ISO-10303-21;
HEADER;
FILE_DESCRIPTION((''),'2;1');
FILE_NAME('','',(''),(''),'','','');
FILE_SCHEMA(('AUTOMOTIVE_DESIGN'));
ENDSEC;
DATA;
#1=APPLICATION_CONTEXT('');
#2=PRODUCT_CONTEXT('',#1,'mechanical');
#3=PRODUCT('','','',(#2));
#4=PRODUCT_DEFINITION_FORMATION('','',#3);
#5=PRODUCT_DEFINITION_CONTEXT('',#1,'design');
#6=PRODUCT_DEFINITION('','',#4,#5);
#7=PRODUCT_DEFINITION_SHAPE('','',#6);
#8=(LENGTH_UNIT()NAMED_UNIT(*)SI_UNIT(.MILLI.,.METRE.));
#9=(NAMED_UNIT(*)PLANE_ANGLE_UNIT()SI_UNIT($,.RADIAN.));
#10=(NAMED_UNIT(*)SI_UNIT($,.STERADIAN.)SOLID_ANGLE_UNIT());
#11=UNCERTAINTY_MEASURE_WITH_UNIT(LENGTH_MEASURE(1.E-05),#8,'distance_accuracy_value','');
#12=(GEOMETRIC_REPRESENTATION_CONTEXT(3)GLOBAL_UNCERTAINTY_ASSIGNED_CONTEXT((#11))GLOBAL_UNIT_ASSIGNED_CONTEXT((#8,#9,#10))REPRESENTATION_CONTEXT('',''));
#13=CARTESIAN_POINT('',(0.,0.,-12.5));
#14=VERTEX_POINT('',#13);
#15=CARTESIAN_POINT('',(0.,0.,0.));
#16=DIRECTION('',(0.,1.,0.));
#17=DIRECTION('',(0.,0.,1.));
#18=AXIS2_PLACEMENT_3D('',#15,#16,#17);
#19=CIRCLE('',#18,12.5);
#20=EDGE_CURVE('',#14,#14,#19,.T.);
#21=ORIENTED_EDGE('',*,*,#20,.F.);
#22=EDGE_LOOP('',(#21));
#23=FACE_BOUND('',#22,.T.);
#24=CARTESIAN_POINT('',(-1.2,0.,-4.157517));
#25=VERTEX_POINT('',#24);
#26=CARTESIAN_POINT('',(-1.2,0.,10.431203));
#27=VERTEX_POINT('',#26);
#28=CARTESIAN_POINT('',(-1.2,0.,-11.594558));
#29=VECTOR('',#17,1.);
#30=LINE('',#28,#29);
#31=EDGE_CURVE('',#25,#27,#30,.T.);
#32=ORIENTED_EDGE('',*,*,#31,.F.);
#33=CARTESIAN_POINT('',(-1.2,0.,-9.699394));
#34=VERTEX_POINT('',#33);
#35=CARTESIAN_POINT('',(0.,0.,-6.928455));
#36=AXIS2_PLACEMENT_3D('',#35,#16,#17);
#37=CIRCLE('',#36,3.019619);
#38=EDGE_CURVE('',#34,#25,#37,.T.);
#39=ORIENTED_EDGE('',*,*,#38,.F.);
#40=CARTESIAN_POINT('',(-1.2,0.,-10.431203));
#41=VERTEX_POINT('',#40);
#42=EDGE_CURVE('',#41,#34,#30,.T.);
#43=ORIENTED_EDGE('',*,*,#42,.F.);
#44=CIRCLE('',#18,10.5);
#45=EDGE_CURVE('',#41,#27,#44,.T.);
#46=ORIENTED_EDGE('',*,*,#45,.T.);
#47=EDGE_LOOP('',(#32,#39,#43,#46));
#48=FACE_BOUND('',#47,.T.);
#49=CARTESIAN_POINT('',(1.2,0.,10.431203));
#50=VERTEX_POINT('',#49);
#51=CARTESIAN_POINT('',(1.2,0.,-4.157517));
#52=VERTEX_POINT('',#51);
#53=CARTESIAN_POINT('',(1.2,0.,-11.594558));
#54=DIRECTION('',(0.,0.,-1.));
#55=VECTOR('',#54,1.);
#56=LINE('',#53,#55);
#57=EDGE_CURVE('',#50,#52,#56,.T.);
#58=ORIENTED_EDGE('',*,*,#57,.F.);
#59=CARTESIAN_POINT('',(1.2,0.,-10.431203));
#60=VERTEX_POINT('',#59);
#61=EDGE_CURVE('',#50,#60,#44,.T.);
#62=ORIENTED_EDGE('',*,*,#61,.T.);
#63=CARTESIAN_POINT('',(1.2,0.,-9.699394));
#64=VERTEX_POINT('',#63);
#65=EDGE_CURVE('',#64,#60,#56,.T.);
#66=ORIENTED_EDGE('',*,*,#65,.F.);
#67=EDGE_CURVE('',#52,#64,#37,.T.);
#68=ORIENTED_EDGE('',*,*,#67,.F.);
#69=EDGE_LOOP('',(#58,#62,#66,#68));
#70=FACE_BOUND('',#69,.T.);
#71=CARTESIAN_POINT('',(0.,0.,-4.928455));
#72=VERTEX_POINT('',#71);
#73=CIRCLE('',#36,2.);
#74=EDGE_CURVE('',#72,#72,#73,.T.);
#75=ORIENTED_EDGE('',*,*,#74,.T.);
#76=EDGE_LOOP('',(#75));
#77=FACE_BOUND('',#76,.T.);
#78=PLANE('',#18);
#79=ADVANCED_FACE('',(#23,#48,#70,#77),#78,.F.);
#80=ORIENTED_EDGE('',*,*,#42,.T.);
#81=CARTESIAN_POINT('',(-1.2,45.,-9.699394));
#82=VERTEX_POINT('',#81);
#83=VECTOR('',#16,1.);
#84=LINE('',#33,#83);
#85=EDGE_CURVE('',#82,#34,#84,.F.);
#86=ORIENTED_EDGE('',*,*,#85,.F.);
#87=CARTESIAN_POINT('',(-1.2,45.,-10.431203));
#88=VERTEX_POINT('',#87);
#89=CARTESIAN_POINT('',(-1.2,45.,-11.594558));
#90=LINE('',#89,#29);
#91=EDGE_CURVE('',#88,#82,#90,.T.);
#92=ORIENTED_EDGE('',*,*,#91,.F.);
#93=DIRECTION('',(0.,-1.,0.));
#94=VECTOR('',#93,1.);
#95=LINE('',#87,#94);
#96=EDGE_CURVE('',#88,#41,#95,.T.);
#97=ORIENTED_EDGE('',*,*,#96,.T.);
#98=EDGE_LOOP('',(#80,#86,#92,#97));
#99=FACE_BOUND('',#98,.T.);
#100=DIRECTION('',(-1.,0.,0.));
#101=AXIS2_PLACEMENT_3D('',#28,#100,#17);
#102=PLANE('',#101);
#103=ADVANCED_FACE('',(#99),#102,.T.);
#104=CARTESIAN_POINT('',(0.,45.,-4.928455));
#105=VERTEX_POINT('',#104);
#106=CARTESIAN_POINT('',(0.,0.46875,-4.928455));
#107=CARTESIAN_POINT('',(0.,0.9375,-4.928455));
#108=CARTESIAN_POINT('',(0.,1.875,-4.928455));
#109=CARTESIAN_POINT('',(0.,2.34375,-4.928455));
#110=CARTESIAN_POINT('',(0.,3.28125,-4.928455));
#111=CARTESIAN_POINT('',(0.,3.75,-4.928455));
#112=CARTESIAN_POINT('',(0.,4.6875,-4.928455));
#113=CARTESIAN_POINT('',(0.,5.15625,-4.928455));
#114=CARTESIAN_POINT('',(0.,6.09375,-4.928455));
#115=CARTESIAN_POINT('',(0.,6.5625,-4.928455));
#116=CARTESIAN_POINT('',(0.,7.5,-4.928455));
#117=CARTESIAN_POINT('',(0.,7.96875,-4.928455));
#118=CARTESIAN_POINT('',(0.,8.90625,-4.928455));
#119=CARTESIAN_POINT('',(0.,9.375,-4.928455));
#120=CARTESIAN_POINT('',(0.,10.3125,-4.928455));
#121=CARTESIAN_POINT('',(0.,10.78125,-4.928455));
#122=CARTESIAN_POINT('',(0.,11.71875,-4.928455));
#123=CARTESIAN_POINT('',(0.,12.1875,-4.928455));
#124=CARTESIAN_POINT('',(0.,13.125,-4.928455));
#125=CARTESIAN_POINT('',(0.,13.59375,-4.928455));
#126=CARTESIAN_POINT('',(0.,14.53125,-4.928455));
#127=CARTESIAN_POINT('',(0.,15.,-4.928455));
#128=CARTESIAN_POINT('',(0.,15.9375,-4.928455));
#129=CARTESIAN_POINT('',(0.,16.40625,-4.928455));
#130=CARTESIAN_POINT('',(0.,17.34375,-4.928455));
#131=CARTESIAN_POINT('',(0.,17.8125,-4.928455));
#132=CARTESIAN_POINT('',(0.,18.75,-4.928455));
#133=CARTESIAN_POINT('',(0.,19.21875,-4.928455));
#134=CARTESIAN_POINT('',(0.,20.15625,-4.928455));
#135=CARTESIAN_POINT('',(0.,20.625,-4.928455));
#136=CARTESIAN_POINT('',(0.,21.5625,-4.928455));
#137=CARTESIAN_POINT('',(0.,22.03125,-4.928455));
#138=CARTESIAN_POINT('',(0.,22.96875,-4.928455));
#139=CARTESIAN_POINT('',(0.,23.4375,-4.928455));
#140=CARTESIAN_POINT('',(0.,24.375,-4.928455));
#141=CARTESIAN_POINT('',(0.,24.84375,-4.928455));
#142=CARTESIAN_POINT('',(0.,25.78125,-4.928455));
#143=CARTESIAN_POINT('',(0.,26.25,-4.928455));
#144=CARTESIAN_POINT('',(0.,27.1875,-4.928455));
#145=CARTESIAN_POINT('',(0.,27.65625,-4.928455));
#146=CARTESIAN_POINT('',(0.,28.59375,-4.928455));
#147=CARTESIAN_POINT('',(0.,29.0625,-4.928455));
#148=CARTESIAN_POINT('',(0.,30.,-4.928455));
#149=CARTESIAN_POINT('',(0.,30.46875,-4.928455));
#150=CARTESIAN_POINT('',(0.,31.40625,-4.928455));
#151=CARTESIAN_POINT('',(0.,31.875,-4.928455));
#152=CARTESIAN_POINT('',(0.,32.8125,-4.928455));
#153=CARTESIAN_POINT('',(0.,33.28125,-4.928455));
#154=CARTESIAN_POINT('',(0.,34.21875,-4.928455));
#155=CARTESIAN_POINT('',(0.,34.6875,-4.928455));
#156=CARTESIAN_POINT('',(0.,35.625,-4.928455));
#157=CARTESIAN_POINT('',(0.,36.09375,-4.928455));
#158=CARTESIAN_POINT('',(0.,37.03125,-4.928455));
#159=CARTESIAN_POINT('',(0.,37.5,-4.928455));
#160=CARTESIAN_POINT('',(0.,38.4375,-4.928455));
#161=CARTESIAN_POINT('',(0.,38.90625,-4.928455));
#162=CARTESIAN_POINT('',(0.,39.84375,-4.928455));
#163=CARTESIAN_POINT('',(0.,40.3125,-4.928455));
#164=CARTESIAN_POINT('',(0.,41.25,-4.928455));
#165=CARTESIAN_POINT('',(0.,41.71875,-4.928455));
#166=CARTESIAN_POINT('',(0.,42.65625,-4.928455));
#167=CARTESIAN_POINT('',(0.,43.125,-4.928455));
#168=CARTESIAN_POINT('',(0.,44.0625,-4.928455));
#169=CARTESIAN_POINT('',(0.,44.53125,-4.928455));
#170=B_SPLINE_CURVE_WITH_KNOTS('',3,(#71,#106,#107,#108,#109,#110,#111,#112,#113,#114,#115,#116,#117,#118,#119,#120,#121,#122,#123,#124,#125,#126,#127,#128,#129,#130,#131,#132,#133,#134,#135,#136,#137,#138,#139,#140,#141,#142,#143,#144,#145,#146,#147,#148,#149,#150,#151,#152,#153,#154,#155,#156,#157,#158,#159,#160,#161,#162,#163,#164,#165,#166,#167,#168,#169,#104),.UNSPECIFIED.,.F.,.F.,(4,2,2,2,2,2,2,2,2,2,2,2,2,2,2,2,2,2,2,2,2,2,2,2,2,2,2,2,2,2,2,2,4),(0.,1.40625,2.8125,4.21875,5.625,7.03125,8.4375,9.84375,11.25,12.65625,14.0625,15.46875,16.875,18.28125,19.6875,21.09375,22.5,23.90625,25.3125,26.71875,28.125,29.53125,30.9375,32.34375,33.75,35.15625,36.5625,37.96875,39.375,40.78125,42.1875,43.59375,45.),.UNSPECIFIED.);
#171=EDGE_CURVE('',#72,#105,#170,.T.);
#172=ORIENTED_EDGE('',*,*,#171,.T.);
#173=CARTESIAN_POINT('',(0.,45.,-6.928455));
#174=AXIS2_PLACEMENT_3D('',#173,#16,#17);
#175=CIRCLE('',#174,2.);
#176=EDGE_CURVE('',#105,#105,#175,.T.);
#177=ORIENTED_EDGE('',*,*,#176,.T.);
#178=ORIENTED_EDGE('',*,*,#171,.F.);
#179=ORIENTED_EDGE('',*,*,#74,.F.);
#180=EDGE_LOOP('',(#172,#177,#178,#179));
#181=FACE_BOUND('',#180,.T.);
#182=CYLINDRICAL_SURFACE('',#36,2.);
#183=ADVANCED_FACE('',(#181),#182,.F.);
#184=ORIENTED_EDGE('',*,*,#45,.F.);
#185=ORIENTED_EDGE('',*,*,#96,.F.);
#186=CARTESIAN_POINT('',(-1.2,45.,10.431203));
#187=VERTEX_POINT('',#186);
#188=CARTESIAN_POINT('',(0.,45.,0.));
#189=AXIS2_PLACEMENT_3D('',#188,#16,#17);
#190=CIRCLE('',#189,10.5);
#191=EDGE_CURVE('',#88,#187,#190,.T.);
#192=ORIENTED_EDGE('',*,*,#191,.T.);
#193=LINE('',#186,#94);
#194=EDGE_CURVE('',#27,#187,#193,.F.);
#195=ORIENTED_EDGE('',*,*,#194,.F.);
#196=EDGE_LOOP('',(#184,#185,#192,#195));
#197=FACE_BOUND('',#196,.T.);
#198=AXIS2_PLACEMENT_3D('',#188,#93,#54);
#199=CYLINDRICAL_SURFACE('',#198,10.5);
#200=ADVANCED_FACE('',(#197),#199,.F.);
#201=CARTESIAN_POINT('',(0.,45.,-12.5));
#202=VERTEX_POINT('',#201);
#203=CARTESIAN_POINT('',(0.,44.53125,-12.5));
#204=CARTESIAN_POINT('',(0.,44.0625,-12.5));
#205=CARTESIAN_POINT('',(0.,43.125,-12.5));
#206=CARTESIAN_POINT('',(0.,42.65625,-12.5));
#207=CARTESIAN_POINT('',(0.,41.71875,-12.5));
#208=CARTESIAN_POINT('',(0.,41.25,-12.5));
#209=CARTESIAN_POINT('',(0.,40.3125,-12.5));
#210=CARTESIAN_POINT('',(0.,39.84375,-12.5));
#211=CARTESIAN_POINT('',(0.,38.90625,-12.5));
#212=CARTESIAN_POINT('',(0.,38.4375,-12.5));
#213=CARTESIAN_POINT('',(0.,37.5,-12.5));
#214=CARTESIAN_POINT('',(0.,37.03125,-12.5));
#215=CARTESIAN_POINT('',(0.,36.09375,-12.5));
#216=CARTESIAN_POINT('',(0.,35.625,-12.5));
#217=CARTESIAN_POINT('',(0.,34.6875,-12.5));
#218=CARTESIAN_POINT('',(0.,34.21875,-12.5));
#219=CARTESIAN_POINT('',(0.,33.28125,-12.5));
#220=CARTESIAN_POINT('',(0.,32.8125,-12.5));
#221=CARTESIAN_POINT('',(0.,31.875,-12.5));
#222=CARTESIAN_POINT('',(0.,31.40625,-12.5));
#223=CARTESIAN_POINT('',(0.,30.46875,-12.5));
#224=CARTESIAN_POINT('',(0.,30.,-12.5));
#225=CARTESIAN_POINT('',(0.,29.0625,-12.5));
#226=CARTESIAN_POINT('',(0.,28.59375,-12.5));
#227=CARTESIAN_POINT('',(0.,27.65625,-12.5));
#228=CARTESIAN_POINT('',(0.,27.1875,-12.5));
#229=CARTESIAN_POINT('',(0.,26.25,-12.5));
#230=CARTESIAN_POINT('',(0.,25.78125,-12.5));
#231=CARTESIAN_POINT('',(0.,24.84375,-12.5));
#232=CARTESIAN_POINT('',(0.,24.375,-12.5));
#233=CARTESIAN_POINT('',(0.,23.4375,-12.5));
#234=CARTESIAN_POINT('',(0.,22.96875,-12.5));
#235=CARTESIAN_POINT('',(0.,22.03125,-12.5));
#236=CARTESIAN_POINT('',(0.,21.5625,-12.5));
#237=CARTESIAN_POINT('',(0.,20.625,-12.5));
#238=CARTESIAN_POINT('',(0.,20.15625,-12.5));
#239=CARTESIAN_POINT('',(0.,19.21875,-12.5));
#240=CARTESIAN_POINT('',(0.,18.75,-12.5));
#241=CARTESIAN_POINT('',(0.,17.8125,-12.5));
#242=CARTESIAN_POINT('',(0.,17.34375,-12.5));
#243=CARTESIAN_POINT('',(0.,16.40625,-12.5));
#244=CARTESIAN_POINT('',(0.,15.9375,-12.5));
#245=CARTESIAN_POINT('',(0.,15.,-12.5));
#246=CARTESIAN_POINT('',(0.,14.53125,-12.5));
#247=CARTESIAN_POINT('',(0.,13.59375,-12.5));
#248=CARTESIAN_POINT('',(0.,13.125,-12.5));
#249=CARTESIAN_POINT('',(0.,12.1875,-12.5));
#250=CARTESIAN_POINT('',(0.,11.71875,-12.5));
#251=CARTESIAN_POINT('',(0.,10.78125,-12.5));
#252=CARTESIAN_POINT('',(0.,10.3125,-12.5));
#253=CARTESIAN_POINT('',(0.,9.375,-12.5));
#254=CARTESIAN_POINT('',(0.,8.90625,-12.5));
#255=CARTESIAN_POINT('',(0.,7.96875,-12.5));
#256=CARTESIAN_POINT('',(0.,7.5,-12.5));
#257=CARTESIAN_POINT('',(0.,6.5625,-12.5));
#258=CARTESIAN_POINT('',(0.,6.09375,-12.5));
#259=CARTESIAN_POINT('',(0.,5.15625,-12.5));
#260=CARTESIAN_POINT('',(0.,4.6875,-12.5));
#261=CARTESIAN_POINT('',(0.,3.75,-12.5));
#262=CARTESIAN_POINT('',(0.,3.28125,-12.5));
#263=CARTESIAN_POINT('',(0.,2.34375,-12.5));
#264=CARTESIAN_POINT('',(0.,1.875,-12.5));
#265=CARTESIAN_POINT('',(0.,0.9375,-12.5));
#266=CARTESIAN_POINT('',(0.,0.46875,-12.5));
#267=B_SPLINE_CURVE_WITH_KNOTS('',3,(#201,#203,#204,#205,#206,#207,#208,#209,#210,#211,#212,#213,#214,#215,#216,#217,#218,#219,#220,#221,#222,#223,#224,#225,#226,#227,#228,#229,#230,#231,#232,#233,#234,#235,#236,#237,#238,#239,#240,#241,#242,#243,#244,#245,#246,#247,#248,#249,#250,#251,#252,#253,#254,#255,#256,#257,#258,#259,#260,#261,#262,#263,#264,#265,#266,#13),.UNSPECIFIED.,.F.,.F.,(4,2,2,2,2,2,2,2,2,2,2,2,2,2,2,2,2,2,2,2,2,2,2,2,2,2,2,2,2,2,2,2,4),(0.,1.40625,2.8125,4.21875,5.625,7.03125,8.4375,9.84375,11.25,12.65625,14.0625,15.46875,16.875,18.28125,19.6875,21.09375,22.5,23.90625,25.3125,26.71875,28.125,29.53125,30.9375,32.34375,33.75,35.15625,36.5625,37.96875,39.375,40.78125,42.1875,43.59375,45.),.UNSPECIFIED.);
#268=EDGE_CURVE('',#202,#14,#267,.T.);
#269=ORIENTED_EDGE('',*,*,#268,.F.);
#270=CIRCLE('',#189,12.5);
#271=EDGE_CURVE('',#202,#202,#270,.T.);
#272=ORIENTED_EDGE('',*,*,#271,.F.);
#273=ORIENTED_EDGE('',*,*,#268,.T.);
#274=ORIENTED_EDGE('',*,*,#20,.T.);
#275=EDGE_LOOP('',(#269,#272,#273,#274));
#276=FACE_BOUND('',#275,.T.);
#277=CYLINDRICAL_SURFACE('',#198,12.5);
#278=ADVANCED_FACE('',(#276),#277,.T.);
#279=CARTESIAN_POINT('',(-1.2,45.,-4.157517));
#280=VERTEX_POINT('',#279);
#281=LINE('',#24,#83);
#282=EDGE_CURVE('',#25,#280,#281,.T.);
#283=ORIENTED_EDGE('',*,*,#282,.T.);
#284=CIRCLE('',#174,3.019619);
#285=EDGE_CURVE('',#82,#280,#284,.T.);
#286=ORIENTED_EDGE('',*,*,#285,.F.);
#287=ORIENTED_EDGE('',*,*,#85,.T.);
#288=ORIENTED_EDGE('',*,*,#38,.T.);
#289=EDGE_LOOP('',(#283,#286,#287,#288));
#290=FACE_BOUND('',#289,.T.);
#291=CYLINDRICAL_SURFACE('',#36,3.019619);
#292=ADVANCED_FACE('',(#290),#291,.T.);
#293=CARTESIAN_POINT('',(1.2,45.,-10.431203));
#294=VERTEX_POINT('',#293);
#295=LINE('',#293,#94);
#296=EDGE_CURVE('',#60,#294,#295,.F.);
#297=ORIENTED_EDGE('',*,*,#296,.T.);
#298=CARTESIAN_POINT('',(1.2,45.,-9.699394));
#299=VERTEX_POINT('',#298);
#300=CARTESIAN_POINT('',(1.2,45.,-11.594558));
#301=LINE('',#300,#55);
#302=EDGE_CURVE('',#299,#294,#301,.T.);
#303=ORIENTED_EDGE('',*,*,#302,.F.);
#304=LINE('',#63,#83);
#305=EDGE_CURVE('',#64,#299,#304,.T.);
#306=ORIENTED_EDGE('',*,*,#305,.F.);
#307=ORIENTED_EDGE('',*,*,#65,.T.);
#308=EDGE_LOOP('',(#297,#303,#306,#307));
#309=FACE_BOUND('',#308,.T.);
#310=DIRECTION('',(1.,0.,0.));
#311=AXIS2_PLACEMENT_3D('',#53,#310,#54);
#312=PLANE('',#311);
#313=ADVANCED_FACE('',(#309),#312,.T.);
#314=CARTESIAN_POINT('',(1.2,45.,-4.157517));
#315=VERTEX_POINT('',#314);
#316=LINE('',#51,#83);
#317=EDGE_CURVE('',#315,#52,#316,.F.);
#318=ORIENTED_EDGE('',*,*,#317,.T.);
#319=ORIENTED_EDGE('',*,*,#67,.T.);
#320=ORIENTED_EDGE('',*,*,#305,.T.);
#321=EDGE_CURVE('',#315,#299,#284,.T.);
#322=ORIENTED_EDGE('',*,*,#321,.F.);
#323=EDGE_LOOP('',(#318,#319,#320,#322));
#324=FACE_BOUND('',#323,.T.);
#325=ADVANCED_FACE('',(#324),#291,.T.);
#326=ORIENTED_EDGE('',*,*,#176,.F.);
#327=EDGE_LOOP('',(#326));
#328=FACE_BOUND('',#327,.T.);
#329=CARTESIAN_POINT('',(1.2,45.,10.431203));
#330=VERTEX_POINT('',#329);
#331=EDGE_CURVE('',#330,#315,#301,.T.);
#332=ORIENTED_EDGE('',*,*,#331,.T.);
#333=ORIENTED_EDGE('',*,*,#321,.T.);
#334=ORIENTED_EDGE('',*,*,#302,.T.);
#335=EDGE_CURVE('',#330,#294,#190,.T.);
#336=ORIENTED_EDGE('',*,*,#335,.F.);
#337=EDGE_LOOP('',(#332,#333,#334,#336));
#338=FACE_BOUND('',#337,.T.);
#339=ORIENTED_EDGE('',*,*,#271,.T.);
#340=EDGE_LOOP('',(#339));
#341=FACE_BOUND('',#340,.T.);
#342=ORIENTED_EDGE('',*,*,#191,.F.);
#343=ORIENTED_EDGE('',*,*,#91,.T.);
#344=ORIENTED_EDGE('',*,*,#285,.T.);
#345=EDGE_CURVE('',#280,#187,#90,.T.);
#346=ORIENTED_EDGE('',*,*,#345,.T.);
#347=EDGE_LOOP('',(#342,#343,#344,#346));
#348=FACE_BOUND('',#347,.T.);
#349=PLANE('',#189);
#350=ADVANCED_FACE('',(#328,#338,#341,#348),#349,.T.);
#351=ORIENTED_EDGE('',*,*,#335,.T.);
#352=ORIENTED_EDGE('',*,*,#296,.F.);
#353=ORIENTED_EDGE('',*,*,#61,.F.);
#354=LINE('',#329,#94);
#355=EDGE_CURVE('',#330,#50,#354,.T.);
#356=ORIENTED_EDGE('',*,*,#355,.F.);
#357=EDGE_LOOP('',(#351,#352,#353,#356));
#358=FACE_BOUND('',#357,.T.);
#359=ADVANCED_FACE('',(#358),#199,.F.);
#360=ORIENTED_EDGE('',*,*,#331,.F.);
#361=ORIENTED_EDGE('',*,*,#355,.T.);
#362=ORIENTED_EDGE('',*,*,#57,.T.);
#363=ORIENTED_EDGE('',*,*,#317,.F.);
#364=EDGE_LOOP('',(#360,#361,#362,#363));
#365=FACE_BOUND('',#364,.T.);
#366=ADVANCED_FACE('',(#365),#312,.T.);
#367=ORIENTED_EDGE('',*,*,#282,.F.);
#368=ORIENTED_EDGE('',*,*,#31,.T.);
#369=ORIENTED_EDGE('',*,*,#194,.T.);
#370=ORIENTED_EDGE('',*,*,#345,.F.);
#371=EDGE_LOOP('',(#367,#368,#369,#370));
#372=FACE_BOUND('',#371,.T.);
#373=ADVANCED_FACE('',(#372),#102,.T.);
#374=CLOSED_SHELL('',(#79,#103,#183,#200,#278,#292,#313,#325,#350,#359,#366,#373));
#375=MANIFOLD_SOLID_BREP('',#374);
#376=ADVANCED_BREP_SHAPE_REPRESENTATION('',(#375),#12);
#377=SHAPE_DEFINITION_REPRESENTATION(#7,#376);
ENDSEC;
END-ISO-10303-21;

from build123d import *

# Parameters (mm, degrees)
SKETCH1_R           = 12.5
SKETCH1_R_2         = 10.5
BOSS_EXTRUDE1_DEPTH = 45
SKETCH3_W           = 2.4
SKETCH3_H           = 23.000586798
BOSS_EXTRUDE3_DEPTH = 45
SKETCH4_R           = 3.019619096
BOSS_EXTRUDE4_DEPTH = 45
SKETCH5_R           = 2
CUT_EXTRUDE1_DEPTH  = 49.347699015


with BuildPart() as part:
    # Sketch1 → Boss-Extrude1 (new body)
    with BuildSketch(Plane(origin=(0, 0, 0), x_dir=(1, 0, 0), z_dir=(0, 1, 0))):
        with Locations(Location((0, 0, 0), (0, 0, 90))):
            Circle(SKETCH1_R)
        with Locations(Location((0, 0, 0), (0, 0, 90))):
            Circle(SKETCH1_R_2, mode=Mode.SUBTRACT)
    extrude(amount=BOSS_EXTRUDE1_DEPTH)

    # Sketch3 → Boss-Extrude3 (add, through all)
    with BuildSketch(Plane(origin=(0, 45, 0), x_dir=(1, 0, 0), z_dir=(0, 1, 0))):
        with Locations((0, 0.0942647)):
            Rectangle(SKETCH3_W, SKETCH3_H)
    extrude(amount=-BOSS_EXTRUDE3_DEPTH)

    # Sketch4 → Boss-Extrude4 (add, through all)
    with BuildSketch(Plane(origin=(0, 45, 0), x_dir=(1, 0, 0), z_dir=(0, 1, 0))):
        with Locations((0, 6.928455449)):
            Circle(SKETCH4_R)
    extrude(amount=-BOSS_EXTRUDE4_DEPTH)

    # Sketch5 → Cut-Extrude1 (cut, through all)
    with BuildSketch(Plane(origin=(0, 45, 0), x_dir=(1, 0, 0), z_dir=(0, 1, 0))):
        with Locations(Location((0, 6.928455449, 0), (0, 0, 270))):
            Circle(SKETCH5_R)
    extrude(amount=-CUT_EXTRUDE1_DEPTH, mode=Mode.SUBTRACT)


solid = part.part
